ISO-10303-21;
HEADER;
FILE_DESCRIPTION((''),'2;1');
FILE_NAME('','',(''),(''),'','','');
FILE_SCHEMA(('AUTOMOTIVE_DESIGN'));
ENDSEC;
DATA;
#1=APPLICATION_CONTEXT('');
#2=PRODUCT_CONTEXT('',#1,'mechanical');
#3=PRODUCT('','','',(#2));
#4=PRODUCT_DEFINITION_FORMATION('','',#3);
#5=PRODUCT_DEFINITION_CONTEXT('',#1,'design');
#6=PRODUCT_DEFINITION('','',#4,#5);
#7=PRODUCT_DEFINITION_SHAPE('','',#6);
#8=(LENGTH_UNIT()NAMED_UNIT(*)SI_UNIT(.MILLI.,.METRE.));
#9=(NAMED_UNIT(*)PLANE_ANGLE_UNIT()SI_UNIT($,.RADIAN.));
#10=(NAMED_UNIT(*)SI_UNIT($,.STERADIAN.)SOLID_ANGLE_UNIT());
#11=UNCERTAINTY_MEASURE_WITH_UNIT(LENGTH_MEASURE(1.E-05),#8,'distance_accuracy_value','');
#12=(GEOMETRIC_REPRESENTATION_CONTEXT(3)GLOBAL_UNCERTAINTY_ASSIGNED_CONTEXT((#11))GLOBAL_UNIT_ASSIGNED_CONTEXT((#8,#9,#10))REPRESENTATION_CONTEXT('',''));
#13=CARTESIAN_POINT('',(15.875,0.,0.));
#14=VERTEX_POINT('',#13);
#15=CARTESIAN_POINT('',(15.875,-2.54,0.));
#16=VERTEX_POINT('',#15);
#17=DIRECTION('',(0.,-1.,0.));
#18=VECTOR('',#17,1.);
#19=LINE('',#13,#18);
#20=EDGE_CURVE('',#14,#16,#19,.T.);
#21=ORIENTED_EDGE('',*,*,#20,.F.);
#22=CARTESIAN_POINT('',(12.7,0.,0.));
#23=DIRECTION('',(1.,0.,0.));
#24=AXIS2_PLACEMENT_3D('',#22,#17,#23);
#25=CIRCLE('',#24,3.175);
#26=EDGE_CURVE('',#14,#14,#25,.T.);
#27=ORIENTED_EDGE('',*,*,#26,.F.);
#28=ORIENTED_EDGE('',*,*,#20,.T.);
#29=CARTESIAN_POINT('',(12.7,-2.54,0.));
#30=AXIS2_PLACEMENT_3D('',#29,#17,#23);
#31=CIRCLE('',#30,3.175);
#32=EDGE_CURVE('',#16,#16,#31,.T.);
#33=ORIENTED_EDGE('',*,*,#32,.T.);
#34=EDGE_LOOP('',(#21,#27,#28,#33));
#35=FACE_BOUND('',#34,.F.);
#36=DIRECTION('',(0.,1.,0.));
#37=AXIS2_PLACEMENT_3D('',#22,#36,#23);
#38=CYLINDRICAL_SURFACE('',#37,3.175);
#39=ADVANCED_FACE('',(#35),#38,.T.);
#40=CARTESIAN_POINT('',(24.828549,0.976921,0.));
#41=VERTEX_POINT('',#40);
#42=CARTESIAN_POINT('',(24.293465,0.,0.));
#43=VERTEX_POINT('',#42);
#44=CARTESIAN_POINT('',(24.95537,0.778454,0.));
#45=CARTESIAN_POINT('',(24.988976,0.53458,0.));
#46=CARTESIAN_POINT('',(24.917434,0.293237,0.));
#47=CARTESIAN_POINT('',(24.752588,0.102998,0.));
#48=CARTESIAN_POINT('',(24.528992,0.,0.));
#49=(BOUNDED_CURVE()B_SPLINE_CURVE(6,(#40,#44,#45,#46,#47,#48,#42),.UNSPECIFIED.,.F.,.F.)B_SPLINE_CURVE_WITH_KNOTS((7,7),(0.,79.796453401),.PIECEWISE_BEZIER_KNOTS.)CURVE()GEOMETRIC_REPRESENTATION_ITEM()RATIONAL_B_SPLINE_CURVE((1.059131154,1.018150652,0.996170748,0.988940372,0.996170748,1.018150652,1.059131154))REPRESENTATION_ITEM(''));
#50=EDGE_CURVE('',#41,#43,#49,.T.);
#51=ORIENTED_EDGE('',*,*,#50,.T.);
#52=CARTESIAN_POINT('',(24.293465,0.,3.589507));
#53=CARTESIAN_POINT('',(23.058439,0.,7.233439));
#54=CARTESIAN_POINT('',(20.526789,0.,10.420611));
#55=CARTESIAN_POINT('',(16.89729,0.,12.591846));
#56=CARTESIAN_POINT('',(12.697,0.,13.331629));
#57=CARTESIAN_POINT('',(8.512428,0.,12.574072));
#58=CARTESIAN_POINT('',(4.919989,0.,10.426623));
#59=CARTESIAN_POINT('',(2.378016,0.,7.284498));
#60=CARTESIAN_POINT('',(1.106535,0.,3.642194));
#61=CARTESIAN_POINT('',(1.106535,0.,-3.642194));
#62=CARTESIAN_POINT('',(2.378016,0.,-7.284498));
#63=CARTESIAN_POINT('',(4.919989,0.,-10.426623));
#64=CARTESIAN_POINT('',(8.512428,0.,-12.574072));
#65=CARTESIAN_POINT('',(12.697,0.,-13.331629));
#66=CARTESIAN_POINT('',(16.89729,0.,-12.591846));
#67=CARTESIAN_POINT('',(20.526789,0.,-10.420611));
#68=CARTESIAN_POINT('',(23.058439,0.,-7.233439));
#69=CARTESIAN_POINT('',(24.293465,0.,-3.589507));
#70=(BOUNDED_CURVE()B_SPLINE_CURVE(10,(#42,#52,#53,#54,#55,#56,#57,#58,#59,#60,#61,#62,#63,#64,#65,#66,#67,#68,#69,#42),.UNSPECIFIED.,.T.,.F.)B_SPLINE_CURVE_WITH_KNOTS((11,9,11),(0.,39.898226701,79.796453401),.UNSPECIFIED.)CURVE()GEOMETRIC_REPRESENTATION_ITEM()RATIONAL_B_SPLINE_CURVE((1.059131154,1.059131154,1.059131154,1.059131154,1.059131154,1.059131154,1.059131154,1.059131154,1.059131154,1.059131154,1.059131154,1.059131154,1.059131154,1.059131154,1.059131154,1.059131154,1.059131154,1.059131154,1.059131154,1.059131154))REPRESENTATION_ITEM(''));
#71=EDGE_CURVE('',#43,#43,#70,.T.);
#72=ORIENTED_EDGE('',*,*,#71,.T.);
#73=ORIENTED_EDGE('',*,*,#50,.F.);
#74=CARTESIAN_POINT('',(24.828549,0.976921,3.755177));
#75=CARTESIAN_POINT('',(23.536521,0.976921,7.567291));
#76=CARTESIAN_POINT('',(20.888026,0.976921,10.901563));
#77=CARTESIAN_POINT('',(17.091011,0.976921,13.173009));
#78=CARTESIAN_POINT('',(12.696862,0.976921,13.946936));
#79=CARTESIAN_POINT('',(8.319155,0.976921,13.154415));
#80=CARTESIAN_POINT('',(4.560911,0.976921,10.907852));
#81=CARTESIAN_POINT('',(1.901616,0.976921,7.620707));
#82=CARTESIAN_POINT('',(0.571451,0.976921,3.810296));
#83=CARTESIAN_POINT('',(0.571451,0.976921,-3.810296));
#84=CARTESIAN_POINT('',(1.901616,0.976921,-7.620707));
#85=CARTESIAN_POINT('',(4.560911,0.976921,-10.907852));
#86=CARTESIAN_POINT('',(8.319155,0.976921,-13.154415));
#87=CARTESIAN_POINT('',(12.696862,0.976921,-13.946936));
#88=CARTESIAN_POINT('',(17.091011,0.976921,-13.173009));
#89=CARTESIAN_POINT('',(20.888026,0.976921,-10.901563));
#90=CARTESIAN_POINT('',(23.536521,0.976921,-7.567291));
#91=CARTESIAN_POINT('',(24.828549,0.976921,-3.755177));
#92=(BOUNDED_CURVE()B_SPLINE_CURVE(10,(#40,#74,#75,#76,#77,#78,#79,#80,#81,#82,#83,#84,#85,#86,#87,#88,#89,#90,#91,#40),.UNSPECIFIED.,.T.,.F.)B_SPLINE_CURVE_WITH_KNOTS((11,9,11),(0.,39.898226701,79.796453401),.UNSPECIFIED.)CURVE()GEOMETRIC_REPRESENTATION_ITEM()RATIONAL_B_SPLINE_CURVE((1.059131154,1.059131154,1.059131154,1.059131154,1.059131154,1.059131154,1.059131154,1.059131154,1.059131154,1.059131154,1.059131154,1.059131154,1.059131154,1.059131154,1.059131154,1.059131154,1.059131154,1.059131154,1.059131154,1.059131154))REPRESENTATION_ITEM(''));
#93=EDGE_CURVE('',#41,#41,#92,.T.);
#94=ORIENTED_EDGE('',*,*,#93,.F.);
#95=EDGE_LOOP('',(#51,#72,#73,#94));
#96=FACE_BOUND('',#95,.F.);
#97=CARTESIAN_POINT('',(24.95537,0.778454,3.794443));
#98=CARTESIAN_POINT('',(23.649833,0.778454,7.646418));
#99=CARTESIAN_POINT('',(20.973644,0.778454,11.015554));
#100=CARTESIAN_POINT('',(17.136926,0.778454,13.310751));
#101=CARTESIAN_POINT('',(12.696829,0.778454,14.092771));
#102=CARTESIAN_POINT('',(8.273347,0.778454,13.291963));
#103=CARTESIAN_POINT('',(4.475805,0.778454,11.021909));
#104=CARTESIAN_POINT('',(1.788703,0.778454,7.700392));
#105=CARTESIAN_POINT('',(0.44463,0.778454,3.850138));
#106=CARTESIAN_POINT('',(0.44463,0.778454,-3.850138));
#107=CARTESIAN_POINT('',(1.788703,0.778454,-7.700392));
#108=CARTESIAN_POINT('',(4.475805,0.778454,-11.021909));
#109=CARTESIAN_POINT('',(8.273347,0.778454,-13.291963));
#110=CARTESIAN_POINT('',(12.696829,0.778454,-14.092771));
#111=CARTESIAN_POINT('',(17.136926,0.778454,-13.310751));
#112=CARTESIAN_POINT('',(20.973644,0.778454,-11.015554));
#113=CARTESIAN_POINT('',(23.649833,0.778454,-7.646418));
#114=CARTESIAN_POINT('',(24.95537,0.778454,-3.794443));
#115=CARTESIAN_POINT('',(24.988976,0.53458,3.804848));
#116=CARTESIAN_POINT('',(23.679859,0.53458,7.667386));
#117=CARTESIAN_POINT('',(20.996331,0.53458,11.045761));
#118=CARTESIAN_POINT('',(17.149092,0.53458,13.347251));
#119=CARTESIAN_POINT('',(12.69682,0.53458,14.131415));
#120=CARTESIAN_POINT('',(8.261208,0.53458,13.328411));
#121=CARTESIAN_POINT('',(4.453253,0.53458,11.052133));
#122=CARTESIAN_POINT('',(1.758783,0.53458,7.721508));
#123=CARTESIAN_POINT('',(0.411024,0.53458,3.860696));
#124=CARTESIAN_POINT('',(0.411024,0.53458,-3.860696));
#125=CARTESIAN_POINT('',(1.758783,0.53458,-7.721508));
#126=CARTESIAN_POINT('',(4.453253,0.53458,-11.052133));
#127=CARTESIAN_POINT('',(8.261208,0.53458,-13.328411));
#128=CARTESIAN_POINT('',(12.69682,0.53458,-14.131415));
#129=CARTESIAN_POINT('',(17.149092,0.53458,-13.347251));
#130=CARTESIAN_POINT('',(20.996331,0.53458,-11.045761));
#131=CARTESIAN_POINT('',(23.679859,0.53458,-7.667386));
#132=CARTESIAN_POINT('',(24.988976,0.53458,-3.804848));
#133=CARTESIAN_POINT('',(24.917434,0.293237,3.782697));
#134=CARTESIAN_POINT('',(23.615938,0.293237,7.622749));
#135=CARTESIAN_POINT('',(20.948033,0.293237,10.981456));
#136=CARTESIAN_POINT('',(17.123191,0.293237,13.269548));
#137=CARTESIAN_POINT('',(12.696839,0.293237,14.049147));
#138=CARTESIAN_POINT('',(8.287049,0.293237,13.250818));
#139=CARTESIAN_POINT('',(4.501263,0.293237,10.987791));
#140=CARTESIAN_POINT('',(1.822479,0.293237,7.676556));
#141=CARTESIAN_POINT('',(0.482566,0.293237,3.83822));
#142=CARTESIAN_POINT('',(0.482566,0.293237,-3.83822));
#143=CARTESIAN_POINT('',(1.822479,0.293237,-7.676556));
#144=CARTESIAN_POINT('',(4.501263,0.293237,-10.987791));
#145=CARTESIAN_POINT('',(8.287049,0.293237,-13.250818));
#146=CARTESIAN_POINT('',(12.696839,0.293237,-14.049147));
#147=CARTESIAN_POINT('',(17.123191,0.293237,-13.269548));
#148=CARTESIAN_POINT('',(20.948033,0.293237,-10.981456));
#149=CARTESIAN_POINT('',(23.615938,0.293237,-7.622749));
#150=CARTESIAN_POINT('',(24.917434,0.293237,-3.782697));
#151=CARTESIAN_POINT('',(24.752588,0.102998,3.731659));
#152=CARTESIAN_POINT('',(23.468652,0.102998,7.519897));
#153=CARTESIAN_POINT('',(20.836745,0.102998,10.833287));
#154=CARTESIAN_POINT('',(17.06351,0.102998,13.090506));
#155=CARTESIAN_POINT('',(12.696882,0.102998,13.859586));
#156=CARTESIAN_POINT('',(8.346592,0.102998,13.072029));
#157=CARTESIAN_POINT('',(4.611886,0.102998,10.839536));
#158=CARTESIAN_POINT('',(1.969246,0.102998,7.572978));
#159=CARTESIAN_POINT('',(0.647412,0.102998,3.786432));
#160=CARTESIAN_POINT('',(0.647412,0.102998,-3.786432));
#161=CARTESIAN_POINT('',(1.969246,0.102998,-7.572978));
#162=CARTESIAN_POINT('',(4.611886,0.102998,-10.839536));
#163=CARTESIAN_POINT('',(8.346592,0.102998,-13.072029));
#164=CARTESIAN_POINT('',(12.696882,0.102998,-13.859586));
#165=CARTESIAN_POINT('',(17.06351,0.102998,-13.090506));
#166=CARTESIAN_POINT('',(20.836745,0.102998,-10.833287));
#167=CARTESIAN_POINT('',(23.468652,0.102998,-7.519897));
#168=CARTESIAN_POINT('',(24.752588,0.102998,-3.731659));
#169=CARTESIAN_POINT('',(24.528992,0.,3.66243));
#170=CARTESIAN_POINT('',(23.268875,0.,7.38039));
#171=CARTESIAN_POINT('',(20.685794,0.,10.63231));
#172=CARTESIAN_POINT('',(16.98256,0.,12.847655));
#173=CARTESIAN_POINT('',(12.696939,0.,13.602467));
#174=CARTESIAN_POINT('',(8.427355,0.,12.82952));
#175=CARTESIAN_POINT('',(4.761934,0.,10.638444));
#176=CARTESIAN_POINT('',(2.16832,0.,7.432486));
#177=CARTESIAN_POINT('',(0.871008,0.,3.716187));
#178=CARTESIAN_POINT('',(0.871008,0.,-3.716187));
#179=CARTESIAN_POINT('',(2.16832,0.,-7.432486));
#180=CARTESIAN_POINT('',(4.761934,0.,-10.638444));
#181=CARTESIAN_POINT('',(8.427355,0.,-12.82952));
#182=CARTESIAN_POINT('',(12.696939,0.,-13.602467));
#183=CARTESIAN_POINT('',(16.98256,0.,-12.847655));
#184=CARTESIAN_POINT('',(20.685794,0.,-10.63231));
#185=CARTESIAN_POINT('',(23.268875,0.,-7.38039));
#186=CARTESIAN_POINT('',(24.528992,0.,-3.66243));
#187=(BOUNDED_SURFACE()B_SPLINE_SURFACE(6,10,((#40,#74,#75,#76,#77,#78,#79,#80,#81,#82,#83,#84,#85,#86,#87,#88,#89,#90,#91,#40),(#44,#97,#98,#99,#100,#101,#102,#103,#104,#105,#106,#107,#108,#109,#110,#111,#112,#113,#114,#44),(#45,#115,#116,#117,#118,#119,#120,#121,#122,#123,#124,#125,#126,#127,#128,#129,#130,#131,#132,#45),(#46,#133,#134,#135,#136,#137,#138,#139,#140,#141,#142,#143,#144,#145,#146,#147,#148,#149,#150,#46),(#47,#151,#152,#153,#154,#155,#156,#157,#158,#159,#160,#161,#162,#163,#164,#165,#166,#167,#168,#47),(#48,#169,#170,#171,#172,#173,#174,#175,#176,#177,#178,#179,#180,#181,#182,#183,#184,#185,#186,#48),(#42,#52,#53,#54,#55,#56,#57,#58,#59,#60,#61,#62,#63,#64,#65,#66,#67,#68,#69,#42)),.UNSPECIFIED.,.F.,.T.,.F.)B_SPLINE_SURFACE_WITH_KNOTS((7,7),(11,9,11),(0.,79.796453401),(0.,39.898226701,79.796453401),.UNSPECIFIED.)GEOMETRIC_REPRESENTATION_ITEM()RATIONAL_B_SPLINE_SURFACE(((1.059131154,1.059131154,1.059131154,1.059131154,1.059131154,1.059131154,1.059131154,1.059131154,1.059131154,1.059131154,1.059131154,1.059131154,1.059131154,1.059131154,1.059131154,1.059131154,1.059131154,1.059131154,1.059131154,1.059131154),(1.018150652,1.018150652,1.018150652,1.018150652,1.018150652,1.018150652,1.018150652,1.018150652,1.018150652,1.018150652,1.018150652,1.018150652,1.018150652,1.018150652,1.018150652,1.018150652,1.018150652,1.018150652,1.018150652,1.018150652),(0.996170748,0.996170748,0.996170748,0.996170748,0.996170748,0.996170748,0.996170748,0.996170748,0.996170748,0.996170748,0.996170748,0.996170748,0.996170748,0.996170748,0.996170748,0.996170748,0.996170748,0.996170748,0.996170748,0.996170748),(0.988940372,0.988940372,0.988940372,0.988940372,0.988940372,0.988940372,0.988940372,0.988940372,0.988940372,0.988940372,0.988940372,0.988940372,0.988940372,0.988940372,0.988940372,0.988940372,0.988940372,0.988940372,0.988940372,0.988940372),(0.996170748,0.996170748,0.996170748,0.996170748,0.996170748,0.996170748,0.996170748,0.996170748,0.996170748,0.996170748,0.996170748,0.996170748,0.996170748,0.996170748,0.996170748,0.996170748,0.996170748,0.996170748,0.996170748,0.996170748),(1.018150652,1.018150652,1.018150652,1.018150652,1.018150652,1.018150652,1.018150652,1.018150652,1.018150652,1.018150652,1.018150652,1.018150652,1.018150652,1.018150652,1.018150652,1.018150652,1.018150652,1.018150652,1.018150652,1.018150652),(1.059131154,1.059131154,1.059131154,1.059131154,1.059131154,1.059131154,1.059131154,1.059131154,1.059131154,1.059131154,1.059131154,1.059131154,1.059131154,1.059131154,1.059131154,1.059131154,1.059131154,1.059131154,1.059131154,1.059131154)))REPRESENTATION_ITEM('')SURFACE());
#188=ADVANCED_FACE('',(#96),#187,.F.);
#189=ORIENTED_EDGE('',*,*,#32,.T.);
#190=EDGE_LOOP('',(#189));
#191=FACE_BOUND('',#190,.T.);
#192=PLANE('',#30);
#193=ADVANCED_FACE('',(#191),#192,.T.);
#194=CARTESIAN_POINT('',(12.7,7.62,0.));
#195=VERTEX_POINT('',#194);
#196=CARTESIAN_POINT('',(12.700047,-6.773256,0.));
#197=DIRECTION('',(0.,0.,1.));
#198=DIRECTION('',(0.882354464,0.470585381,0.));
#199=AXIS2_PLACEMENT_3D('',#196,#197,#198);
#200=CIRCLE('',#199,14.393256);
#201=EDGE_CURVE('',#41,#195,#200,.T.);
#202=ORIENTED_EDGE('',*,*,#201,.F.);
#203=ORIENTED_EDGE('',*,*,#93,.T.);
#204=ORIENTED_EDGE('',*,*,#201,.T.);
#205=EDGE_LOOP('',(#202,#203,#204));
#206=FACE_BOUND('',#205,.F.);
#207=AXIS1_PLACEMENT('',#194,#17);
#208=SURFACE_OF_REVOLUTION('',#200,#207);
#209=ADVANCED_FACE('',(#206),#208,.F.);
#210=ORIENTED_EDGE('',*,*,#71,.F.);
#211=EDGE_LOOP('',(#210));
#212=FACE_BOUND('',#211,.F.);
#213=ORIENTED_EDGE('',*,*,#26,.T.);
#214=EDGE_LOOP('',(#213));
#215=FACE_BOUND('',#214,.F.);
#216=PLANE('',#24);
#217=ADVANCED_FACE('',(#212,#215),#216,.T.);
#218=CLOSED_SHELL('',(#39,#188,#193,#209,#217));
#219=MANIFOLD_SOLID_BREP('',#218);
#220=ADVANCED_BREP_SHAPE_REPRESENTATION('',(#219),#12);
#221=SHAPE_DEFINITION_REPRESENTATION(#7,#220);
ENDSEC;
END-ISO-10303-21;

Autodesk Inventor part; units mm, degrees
ref_plane "YZ Plane" through (0, 0, 0) normal (1, 0, 0) x (0, 1, 0)
ref_plane "XZ Plane" through (0, 0, 0) normal (0, 1, 0) x (-1, 0, 0)
ref_plane "XY Plane" through (0, 0, 0) normal (0, 0, 1) x (1, 0, 0)
sketch "Sketch1" plane through (0, 0, 0) normal (0, 0, 1) x (1, 0, 0)
  line L0 (0, 0) -> (25.4, 0)
  arc A0 (12.7, 7.62) -> (0, 0) centre (12.7, -6.7733) ccw
  arc A1 (25.4, 0) -> (12.7, 7.62) centre (12.7, -6.7733) ccw
  line L1 (12.7, 7.62) -> (4.6641, 7.62)
  line L2 (12.7, 7.62) -> (12.7, 0)
  dimension "d0" = 25.4
  dimension "d1" = 7.62
  dimension "d2" = 12.7
revolve "Revolution1" add sketch "Sketch1" angle 360 about axis through (12.7, 7.62, 0) along (0, -1, 0) contours L2 A1 L0
fillet "Fillet1" radius 0.635 1 edges at (0, 0, 0)
sketch "Sketch2" plane through (12.7, 0, 0) normal (0, -1, 0) x (1, 0, 0)
  circle A0 centre (0, 0) radius 3.175
  circle A1 centre (0, 0) radius 11.5935 projected
  point P0 (-12.7, 0)
  dimension "d5" = 6.35
  dimension "d6" = 0
extrude "Extrusion1" add sketch "Sketch2" along normal blind 2.54 contours A0
properties part number "Button"
